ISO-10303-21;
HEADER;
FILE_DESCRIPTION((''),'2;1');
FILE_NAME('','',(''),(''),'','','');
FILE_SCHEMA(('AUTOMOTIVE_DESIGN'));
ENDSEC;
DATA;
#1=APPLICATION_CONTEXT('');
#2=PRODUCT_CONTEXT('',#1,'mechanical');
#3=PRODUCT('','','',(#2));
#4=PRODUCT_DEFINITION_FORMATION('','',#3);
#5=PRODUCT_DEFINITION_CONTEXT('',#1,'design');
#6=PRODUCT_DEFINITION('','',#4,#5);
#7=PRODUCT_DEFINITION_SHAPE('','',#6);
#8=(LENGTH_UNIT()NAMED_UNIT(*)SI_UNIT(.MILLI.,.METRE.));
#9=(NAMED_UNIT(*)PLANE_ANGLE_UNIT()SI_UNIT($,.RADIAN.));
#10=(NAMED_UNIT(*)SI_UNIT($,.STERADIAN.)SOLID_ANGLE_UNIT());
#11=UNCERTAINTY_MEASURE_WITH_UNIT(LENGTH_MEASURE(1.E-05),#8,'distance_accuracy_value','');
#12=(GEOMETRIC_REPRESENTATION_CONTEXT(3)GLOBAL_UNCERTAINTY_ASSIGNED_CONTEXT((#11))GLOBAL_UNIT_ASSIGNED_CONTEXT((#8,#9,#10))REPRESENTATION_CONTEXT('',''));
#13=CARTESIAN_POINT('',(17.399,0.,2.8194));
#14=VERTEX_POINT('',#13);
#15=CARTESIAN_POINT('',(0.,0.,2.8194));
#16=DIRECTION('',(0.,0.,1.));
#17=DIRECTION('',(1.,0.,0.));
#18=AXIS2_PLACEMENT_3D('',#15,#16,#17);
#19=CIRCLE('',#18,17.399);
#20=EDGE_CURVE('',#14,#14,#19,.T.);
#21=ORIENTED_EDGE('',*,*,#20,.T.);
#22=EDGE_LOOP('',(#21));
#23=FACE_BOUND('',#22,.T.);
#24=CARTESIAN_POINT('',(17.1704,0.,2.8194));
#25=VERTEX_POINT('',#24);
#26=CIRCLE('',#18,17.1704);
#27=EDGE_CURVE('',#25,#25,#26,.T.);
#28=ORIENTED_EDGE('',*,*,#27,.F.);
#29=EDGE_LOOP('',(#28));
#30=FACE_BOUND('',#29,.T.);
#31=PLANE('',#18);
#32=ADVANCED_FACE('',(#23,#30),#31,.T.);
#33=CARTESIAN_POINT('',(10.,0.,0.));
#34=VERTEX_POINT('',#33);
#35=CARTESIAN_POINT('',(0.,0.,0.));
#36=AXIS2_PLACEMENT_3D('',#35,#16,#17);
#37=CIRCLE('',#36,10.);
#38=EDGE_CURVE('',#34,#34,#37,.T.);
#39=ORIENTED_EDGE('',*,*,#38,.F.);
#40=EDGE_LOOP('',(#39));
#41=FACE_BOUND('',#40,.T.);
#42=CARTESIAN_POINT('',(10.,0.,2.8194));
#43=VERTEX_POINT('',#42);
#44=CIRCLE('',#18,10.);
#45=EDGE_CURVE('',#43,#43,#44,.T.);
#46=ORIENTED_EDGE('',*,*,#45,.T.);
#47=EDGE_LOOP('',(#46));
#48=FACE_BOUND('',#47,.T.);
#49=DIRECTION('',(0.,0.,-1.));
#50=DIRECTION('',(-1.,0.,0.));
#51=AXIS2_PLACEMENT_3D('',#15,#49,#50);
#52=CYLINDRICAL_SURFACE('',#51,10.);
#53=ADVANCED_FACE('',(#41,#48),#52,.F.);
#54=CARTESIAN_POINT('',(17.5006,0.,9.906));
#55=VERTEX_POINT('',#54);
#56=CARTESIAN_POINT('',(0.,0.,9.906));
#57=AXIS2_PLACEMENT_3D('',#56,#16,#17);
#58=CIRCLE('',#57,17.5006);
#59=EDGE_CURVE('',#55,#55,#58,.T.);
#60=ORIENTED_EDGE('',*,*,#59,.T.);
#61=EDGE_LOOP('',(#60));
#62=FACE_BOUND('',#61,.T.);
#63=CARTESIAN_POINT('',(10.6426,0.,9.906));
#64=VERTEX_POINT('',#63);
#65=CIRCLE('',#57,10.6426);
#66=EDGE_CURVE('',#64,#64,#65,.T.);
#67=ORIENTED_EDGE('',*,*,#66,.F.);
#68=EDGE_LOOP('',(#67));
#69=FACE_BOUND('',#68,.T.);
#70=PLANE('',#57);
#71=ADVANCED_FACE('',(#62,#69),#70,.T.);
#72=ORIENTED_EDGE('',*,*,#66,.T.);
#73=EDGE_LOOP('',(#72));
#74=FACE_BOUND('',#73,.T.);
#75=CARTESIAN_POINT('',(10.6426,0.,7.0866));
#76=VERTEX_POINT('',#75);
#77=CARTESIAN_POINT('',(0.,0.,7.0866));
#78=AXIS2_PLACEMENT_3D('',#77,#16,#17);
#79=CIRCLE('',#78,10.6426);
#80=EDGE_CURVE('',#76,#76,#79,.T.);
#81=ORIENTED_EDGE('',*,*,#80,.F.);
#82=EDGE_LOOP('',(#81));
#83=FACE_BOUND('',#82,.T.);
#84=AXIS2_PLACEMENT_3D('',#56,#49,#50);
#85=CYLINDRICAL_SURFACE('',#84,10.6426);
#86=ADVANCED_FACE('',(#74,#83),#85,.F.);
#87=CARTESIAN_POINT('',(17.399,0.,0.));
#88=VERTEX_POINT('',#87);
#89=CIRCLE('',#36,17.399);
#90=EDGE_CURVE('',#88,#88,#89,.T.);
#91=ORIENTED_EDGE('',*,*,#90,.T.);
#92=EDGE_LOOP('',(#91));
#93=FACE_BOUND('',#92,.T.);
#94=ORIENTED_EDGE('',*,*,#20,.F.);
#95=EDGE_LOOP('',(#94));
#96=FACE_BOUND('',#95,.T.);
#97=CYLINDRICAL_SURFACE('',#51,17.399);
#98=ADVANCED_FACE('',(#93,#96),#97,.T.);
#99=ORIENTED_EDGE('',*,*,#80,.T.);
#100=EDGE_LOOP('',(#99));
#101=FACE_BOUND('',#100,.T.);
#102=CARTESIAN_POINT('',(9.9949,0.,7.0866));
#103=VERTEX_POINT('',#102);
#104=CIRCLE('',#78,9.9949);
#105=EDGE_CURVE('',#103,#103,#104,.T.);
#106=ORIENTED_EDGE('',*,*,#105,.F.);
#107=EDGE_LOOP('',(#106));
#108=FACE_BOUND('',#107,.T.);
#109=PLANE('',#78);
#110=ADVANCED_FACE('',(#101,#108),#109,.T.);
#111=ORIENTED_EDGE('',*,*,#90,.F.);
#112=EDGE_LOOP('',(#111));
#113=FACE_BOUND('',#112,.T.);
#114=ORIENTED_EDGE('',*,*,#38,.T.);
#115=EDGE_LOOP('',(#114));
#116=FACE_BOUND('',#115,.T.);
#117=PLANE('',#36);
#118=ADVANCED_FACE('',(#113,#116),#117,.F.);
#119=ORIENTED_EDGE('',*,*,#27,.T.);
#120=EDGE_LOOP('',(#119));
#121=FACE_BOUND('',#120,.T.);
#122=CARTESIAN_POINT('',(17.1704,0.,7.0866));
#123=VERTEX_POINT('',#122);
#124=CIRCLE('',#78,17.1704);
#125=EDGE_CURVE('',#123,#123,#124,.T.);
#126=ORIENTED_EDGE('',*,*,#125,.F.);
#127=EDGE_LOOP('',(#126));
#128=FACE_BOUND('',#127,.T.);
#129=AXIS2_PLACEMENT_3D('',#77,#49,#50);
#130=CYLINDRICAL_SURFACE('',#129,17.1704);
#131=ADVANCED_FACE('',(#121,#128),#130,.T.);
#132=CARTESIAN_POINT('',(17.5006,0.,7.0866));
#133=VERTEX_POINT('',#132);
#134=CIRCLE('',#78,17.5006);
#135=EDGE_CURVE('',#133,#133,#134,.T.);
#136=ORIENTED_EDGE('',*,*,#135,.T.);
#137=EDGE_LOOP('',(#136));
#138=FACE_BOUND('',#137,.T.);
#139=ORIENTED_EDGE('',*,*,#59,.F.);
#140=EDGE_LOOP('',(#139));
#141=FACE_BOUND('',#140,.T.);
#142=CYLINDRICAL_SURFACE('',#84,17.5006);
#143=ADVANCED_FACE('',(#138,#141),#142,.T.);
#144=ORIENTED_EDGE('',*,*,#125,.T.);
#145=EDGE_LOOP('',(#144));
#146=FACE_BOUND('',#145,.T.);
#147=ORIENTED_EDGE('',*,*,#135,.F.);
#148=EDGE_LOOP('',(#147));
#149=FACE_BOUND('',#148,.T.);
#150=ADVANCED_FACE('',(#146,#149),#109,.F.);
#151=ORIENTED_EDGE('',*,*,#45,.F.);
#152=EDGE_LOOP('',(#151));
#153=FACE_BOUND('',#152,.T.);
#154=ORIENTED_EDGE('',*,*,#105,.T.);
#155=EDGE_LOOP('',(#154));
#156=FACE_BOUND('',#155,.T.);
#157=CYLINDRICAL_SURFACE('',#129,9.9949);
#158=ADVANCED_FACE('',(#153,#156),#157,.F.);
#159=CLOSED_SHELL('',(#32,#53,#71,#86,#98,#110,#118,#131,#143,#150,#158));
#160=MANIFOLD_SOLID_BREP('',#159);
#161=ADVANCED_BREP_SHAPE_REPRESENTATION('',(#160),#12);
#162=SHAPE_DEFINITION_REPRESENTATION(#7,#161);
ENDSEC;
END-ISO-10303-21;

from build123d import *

# Parameters (mm, degrees)
SKETCH1_R           = 17.399
SKETCH1_R_2         = 10
BOSS_EXTRUDE1_DEPTH = 2.8194
SKETCH3_R           = 17.1704
SKETCH3_R_2         = 9.9949
BOSS_EXTRUDE2_DEPTH = 4.2672
SKETCH4_R           = 17.5006
SKETCH4_R_2         = 10.6426
BOSS_EXTRUDE3_DEPTH = 2.8194


with BuildPart() as part:
    # Sketch1 → Boss-Extrude1 (new body)
    with BuildSketch(Plane.XY):
        Circle(SKETCH1_R)
        Circle(SKETCH1_R_2, mode=Mode.SUBTRACT)
    extrude(amount=BOSS_EXTRUDE1_DEPTH)

    # Sketch3 → Boss-Extrude2 (add)
    with BuildSketch(Plane.XY.offset(2.8194)):
        Circle(SKETCH3_R)
        Circle(SKETCH3_R_2, mode=Mode.SUBTRACT)
    extrude(amount=BOSS_EXTRUDE2_DEPTH)

    # Sketch4 → Boss-Extrude3 (add)
    with BuildSketch(Plane.XY.offset(7.0866)):
        Circle(SKETCH4_R)
        Circle(SKETCH4_R_2, mode=Mode.SUBTRACT)
    extrude(amount=BOSS_EXTRUDE3_DEPTH)


solid = part.part
